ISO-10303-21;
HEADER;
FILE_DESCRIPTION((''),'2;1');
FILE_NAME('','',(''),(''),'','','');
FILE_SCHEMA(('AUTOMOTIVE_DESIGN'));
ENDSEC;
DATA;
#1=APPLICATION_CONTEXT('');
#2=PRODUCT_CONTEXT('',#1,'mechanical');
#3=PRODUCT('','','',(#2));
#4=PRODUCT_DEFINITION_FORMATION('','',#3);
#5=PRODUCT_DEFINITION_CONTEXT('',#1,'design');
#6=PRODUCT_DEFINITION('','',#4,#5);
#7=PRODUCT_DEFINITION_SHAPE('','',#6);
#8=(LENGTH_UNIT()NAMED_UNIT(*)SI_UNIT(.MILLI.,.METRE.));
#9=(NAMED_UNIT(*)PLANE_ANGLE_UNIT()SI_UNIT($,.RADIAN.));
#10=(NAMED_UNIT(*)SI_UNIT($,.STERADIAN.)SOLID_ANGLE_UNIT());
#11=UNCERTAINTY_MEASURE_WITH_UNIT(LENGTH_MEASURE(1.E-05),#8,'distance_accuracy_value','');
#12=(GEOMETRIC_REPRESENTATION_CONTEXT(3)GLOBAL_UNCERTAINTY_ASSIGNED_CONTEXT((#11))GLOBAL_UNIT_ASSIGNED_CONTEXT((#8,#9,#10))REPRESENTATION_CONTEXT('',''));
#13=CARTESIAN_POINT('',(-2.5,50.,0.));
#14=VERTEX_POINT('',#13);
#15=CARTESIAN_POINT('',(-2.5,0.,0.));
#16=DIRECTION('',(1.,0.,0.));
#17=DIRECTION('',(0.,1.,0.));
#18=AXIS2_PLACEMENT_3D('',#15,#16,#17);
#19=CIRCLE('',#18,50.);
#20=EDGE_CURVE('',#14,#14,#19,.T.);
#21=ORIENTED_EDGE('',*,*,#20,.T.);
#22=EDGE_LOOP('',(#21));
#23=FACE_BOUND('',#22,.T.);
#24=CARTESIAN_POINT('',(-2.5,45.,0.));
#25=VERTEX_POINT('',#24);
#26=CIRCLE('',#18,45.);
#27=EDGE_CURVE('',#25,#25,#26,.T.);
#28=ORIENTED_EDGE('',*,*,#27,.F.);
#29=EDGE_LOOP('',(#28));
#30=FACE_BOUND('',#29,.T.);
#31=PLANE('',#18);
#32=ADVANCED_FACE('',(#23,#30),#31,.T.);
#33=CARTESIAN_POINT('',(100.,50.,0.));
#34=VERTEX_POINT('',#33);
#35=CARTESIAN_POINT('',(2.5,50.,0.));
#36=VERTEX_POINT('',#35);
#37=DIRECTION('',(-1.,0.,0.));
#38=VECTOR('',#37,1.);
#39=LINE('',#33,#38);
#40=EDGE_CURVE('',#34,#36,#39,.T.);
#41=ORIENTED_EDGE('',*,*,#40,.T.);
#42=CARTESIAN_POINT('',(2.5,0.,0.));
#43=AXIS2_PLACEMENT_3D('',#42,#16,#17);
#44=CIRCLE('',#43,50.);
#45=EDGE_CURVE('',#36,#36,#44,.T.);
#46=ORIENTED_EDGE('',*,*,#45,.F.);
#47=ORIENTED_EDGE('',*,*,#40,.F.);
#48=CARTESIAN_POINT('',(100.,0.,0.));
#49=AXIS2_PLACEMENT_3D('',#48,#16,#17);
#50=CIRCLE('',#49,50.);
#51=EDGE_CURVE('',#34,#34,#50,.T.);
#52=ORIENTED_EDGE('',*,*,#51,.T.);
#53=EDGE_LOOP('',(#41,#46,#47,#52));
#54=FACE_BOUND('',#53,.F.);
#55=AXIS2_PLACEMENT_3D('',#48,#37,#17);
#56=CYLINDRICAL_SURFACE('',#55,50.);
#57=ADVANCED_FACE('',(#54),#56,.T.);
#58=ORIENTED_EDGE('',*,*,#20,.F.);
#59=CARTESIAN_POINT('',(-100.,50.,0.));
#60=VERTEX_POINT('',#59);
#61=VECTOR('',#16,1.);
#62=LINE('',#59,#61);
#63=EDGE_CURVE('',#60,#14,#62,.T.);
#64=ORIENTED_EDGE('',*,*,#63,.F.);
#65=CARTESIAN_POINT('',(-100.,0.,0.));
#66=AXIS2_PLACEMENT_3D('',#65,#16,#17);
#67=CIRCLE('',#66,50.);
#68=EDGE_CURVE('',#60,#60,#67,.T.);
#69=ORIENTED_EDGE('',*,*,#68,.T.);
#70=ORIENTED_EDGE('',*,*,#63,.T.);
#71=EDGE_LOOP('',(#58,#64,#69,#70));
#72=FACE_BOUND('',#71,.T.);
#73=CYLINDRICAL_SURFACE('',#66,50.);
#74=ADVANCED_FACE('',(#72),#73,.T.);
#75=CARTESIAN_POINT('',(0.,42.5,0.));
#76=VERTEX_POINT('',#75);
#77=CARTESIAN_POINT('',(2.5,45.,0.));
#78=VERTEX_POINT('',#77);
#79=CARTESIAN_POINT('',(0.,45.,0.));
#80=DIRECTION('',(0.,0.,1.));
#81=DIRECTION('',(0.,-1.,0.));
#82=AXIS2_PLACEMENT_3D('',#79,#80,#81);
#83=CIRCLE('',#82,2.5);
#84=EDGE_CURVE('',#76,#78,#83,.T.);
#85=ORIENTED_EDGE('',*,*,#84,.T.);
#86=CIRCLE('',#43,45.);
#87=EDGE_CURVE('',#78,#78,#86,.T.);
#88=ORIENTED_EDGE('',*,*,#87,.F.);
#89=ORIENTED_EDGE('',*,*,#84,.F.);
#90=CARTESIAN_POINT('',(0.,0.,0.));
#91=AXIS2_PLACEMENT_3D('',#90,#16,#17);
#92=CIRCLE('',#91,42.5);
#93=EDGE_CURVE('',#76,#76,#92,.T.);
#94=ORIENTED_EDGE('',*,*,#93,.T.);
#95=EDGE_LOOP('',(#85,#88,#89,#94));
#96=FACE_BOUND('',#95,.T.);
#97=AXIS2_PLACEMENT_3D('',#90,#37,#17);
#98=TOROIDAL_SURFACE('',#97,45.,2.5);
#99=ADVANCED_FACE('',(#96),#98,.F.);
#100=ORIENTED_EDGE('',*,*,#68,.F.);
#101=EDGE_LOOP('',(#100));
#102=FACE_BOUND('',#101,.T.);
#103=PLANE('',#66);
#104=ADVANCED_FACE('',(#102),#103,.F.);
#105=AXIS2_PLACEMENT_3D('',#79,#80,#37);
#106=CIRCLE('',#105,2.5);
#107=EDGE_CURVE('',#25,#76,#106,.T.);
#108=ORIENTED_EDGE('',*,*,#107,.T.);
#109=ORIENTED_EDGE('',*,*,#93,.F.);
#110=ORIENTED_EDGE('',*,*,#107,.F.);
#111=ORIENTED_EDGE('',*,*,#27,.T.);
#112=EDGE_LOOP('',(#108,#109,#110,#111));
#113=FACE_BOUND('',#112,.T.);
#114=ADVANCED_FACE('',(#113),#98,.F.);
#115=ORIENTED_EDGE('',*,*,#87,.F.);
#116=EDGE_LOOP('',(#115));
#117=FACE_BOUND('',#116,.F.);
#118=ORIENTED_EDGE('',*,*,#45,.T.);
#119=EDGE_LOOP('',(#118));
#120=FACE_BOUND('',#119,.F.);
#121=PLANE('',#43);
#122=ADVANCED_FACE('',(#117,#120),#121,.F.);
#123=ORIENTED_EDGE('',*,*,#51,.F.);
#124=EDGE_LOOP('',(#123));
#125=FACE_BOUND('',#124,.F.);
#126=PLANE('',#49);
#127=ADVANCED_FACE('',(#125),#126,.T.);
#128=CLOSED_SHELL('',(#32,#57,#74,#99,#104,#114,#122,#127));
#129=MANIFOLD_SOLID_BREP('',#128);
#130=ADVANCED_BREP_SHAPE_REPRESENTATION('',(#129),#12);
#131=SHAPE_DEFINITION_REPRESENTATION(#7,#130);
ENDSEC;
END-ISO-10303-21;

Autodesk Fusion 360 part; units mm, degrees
sketch "Sketch1" plane through (0, 0, 0) normal (0, 0, 1) x (1, 0, 0)
  line L0 (100, 0) -> (100, 50)
  line L1 (100, 50) -> (2.5, 50)
  line L2 (2.5, 50) -> (2.5, 45)
  arc A0 (0, 42.5) -> (2.5, 45) centre (0, 45) ccw
  line L3 (0, 0) -> (100, 0) construction
  line L4 (0, 0) -> (0, 45) construction
  line L5 (0, 42.5) -> (100, 42.5) construction
  line L6 (100, 0) -> (100, -50) construction
  line L7 (100, -50) -> (2.5, -50) construction
  line L8 (2.5, -50) -> (2.5, -45) construction
  arc A1 (2.5, -45) -> (0, -42.5) centre (0, -45) ccw construction
  arc A2 (-2.5, 45) -> (0, 42.5) centre (0, 45) ccw
  line L9 (-2.5, 50) -> (-2.5, 45)
  line L10 (-100, 50) -> (-2.5, 50)
  line L11 (-100, 0) -> (-100, 50)
  line L12 (-100, 0) -> (-100, -50) construction
  line L13 (-100, -50) -> (-2.5, -50) construction
  line L14 (-2.5, -50) -> (-2.5, -45) construction
  arc A3 (0, -42.5) -> (-2.5, -45) centre (0, -45) ccw construction
  line L15 (100, 0) -> (-100, 0)
  dimension "Notch_Radius" = 2.5
  dimension "Notch_Height" = 7.5
  dimension "Bar_Diameter" = 100
  dimension "Bar_Length" = 200
revolve "Revolve1" add sketch "Sketch1" angle 360 about axis through (0, 0, 0) along (1, 0, 0)
